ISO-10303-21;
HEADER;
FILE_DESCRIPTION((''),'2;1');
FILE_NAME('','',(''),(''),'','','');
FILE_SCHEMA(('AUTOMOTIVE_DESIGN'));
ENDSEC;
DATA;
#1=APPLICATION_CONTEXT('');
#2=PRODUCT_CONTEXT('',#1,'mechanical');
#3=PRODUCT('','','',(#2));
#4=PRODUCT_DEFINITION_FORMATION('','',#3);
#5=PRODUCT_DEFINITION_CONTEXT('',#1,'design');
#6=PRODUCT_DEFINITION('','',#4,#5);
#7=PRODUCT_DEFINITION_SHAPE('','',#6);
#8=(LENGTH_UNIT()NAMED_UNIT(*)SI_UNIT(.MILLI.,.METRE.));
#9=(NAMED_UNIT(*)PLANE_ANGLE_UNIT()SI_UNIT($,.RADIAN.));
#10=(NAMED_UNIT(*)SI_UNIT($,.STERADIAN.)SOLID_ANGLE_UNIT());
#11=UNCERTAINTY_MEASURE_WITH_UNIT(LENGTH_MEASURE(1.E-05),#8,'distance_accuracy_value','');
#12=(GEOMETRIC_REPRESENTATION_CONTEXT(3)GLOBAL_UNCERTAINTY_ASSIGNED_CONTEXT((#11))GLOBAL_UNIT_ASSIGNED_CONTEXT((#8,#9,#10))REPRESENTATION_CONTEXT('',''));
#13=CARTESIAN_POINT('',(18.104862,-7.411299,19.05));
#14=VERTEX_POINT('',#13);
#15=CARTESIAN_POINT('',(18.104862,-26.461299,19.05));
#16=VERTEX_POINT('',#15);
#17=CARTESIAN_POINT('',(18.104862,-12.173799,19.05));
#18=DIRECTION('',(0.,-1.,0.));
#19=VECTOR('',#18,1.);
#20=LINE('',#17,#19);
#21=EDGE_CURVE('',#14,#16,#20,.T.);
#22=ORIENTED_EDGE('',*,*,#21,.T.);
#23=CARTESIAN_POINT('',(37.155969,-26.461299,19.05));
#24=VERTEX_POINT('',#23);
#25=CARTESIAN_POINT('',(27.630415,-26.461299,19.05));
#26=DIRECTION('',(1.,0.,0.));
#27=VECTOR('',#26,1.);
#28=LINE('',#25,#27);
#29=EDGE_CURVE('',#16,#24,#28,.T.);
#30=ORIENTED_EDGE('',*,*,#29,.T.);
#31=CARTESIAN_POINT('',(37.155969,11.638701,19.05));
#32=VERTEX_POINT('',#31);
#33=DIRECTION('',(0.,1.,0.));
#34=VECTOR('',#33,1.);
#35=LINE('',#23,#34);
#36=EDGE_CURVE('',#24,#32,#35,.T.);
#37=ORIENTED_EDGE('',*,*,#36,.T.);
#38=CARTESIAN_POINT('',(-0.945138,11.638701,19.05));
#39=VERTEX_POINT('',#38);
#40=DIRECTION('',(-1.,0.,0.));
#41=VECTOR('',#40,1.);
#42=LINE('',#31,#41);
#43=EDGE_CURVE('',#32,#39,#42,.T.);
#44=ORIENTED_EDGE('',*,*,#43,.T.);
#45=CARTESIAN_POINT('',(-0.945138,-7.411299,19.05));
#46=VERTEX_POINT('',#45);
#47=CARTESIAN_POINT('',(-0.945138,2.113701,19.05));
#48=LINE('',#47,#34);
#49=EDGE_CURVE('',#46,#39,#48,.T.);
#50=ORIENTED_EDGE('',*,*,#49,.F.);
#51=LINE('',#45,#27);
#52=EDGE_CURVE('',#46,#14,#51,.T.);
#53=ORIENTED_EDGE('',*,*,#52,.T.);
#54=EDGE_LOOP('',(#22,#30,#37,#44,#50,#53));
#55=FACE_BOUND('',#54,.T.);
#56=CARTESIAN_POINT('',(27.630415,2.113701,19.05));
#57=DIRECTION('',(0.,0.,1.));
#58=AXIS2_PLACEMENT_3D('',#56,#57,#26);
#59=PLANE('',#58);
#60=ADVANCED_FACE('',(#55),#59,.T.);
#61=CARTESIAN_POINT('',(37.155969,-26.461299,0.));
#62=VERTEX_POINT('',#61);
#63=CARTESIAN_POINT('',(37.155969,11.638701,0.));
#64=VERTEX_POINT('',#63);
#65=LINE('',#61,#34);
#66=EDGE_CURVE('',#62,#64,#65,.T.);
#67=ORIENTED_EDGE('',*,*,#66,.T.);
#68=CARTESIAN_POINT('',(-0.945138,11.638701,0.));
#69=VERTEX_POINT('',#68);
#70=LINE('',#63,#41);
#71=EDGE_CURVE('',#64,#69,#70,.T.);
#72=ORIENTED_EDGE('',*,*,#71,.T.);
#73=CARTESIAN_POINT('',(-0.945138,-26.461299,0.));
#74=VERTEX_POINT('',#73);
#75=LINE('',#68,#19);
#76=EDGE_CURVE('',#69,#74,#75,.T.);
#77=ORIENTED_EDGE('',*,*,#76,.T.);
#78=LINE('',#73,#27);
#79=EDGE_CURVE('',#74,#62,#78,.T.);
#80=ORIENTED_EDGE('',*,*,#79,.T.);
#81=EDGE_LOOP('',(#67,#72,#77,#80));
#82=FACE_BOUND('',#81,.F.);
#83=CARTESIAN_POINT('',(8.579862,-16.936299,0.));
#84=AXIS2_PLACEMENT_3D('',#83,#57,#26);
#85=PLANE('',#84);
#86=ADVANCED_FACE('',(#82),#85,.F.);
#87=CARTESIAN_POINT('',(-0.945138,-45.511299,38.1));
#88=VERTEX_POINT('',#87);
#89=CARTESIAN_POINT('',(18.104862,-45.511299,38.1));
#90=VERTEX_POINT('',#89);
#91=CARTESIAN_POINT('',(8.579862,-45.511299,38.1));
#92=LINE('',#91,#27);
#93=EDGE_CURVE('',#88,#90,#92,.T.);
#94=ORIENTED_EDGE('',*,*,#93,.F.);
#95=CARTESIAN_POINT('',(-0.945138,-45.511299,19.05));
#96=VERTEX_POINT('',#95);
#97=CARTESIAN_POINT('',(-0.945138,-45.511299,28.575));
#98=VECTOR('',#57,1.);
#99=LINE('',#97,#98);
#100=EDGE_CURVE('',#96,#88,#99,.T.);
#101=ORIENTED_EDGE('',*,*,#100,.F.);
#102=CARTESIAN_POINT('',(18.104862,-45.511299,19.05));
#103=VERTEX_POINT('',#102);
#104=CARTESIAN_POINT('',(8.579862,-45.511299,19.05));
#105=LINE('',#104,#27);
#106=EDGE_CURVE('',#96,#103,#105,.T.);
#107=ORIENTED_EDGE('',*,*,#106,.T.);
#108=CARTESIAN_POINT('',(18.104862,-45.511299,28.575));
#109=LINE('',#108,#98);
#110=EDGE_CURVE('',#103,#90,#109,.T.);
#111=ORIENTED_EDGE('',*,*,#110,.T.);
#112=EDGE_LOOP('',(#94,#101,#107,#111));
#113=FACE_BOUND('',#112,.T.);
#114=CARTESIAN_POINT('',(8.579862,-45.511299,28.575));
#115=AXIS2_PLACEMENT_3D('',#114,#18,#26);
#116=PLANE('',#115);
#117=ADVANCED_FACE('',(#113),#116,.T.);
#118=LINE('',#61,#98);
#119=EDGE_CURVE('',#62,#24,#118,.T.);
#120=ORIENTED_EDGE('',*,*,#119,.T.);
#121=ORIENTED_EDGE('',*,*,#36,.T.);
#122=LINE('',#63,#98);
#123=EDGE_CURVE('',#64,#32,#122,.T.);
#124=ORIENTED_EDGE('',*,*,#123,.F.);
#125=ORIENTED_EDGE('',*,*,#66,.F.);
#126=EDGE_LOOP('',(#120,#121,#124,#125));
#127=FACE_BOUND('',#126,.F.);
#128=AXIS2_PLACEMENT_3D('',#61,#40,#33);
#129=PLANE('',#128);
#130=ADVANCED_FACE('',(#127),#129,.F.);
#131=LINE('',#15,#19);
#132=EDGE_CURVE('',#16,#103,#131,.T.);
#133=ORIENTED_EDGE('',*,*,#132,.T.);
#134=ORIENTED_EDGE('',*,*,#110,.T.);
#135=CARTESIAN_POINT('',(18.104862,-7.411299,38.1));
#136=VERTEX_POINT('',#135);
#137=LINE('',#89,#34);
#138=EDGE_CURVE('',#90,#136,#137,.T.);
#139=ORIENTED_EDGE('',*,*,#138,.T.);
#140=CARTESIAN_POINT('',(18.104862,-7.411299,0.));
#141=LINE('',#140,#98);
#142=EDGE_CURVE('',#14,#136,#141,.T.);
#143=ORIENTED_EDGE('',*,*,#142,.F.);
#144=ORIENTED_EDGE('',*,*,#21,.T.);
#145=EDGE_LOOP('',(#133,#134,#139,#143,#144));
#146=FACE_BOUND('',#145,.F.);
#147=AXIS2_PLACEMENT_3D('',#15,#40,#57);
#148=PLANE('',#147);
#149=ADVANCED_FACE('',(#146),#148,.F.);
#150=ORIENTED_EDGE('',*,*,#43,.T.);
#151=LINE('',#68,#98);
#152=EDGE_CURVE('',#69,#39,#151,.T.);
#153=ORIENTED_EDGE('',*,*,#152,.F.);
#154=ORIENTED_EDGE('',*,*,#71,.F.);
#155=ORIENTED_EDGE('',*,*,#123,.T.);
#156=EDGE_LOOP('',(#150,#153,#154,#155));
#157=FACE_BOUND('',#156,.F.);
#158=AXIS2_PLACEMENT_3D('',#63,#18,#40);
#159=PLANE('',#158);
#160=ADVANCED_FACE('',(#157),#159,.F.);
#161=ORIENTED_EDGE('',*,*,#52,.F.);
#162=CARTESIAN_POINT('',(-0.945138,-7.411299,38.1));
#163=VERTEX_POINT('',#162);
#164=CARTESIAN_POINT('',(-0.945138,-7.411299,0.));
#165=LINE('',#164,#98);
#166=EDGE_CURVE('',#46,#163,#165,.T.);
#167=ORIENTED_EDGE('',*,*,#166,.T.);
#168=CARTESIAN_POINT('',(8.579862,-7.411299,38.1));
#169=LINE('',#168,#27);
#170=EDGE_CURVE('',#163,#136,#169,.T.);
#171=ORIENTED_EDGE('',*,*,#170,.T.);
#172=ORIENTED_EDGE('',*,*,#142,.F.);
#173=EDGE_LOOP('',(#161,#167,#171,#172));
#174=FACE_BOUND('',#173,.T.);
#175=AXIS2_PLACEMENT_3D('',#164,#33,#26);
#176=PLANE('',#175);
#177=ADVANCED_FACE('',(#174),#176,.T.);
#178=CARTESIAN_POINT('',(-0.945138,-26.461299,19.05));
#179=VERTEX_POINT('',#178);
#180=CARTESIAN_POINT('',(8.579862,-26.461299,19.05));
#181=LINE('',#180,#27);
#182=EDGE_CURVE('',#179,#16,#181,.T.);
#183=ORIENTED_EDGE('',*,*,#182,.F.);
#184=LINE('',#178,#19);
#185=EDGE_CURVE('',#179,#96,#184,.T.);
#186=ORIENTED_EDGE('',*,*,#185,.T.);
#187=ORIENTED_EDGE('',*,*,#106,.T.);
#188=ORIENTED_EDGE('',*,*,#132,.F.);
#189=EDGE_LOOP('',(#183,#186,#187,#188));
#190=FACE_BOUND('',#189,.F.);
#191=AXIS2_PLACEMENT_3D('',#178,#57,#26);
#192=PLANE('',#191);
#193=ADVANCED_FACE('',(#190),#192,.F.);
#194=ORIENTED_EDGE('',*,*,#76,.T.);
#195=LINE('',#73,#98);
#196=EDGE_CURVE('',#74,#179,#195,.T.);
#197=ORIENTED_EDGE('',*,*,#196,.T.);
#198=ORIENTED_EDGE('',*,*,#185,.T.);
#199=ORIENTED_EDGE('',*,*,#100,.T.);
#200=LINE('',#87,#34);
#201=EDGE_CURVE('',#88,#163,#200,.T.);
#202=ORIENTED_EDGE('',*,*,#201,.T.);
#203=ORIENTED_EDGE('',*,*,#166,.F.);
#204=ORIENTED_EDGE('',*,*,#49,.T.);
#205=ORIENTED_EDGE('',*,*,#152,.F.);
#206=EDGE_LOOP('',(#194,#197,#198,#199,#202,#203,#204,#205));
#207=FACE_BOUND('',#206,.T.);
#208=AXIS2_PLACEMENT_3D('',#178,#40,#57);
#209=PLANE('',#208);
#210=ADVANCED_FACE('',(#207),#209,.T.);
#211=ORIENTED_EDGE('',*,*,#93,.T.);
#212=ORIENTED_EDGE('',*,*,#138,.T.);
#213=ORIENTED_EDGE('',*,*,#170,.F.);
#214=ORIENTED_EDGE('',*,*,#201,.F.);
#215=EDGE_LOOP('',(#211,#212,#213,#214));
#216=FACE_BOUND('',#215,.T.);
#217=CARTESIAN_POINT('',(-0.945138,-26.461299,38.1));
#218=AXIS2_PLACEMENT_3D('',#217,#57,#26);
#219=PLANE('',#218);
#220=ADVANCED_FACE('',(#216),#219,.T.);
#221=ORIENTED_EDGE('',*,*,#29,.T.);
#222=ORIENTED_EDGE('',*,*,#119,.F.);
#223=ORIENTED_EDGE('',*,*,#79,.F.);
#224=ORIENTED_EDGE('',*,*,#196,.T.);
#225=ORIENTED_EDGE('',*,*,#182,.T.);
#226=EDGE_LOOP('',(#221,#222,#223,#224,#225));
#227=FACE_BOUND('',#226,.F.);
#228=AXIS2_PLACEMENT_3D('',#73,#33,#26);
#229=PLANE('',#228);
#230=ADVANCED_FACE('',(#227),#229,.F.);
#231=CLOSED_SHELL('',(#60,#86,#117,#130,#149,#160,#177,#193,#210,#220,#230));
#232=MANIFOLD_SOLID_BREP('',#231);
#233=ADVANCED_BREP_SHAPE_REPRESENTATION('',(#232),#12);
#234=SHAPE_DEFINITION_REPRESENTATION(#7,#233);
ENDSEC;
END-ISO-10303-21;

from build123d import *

# Parameters (mm, degrees)
F0_W     = 19.051107
F0_H     = 19.05
F0_W_2   = 19.05
F1_DEPTH = 19.05
F2_DEPTH = 38.1
F3_W     = 19.05
F3_H     = 19.05
F4_DEPTH = 19.05


with BuildPart() as f1:
    # F0 (on Top) → F1 (new body)
    with BuildSketch(Plane.XY):
        with Locations((27.630415, 2.113701)):
            Rectangle(F0_W, F0_H)
        with Locations((8.579862, 2.113701)):
            Rectangle(F0_W_2, F0_H)
        with Locations((27.630415, -16.936299)):
            Rectangle(F0_W, F0_H)
    extrude(amount=F1_DEPTH)

    # F0 (on Top) → F2 (join)
    with BuildSketch(Plane.XY):
        with Locations((8.579862, -16.936299)):
            Rectangle(F0_W_2, F0_H)
    extrude(amount=F2_DEPTH)

    # F3 (on face) → F4 (join)
    with BuildSketch(Plane.XZ.offset(26.461299)):
        with Locations((8.579862, 28.575)):
            Rectangle(F3_W, F3_H)
    extrude(amount=F4_DEPTH)


solid = f1.part
